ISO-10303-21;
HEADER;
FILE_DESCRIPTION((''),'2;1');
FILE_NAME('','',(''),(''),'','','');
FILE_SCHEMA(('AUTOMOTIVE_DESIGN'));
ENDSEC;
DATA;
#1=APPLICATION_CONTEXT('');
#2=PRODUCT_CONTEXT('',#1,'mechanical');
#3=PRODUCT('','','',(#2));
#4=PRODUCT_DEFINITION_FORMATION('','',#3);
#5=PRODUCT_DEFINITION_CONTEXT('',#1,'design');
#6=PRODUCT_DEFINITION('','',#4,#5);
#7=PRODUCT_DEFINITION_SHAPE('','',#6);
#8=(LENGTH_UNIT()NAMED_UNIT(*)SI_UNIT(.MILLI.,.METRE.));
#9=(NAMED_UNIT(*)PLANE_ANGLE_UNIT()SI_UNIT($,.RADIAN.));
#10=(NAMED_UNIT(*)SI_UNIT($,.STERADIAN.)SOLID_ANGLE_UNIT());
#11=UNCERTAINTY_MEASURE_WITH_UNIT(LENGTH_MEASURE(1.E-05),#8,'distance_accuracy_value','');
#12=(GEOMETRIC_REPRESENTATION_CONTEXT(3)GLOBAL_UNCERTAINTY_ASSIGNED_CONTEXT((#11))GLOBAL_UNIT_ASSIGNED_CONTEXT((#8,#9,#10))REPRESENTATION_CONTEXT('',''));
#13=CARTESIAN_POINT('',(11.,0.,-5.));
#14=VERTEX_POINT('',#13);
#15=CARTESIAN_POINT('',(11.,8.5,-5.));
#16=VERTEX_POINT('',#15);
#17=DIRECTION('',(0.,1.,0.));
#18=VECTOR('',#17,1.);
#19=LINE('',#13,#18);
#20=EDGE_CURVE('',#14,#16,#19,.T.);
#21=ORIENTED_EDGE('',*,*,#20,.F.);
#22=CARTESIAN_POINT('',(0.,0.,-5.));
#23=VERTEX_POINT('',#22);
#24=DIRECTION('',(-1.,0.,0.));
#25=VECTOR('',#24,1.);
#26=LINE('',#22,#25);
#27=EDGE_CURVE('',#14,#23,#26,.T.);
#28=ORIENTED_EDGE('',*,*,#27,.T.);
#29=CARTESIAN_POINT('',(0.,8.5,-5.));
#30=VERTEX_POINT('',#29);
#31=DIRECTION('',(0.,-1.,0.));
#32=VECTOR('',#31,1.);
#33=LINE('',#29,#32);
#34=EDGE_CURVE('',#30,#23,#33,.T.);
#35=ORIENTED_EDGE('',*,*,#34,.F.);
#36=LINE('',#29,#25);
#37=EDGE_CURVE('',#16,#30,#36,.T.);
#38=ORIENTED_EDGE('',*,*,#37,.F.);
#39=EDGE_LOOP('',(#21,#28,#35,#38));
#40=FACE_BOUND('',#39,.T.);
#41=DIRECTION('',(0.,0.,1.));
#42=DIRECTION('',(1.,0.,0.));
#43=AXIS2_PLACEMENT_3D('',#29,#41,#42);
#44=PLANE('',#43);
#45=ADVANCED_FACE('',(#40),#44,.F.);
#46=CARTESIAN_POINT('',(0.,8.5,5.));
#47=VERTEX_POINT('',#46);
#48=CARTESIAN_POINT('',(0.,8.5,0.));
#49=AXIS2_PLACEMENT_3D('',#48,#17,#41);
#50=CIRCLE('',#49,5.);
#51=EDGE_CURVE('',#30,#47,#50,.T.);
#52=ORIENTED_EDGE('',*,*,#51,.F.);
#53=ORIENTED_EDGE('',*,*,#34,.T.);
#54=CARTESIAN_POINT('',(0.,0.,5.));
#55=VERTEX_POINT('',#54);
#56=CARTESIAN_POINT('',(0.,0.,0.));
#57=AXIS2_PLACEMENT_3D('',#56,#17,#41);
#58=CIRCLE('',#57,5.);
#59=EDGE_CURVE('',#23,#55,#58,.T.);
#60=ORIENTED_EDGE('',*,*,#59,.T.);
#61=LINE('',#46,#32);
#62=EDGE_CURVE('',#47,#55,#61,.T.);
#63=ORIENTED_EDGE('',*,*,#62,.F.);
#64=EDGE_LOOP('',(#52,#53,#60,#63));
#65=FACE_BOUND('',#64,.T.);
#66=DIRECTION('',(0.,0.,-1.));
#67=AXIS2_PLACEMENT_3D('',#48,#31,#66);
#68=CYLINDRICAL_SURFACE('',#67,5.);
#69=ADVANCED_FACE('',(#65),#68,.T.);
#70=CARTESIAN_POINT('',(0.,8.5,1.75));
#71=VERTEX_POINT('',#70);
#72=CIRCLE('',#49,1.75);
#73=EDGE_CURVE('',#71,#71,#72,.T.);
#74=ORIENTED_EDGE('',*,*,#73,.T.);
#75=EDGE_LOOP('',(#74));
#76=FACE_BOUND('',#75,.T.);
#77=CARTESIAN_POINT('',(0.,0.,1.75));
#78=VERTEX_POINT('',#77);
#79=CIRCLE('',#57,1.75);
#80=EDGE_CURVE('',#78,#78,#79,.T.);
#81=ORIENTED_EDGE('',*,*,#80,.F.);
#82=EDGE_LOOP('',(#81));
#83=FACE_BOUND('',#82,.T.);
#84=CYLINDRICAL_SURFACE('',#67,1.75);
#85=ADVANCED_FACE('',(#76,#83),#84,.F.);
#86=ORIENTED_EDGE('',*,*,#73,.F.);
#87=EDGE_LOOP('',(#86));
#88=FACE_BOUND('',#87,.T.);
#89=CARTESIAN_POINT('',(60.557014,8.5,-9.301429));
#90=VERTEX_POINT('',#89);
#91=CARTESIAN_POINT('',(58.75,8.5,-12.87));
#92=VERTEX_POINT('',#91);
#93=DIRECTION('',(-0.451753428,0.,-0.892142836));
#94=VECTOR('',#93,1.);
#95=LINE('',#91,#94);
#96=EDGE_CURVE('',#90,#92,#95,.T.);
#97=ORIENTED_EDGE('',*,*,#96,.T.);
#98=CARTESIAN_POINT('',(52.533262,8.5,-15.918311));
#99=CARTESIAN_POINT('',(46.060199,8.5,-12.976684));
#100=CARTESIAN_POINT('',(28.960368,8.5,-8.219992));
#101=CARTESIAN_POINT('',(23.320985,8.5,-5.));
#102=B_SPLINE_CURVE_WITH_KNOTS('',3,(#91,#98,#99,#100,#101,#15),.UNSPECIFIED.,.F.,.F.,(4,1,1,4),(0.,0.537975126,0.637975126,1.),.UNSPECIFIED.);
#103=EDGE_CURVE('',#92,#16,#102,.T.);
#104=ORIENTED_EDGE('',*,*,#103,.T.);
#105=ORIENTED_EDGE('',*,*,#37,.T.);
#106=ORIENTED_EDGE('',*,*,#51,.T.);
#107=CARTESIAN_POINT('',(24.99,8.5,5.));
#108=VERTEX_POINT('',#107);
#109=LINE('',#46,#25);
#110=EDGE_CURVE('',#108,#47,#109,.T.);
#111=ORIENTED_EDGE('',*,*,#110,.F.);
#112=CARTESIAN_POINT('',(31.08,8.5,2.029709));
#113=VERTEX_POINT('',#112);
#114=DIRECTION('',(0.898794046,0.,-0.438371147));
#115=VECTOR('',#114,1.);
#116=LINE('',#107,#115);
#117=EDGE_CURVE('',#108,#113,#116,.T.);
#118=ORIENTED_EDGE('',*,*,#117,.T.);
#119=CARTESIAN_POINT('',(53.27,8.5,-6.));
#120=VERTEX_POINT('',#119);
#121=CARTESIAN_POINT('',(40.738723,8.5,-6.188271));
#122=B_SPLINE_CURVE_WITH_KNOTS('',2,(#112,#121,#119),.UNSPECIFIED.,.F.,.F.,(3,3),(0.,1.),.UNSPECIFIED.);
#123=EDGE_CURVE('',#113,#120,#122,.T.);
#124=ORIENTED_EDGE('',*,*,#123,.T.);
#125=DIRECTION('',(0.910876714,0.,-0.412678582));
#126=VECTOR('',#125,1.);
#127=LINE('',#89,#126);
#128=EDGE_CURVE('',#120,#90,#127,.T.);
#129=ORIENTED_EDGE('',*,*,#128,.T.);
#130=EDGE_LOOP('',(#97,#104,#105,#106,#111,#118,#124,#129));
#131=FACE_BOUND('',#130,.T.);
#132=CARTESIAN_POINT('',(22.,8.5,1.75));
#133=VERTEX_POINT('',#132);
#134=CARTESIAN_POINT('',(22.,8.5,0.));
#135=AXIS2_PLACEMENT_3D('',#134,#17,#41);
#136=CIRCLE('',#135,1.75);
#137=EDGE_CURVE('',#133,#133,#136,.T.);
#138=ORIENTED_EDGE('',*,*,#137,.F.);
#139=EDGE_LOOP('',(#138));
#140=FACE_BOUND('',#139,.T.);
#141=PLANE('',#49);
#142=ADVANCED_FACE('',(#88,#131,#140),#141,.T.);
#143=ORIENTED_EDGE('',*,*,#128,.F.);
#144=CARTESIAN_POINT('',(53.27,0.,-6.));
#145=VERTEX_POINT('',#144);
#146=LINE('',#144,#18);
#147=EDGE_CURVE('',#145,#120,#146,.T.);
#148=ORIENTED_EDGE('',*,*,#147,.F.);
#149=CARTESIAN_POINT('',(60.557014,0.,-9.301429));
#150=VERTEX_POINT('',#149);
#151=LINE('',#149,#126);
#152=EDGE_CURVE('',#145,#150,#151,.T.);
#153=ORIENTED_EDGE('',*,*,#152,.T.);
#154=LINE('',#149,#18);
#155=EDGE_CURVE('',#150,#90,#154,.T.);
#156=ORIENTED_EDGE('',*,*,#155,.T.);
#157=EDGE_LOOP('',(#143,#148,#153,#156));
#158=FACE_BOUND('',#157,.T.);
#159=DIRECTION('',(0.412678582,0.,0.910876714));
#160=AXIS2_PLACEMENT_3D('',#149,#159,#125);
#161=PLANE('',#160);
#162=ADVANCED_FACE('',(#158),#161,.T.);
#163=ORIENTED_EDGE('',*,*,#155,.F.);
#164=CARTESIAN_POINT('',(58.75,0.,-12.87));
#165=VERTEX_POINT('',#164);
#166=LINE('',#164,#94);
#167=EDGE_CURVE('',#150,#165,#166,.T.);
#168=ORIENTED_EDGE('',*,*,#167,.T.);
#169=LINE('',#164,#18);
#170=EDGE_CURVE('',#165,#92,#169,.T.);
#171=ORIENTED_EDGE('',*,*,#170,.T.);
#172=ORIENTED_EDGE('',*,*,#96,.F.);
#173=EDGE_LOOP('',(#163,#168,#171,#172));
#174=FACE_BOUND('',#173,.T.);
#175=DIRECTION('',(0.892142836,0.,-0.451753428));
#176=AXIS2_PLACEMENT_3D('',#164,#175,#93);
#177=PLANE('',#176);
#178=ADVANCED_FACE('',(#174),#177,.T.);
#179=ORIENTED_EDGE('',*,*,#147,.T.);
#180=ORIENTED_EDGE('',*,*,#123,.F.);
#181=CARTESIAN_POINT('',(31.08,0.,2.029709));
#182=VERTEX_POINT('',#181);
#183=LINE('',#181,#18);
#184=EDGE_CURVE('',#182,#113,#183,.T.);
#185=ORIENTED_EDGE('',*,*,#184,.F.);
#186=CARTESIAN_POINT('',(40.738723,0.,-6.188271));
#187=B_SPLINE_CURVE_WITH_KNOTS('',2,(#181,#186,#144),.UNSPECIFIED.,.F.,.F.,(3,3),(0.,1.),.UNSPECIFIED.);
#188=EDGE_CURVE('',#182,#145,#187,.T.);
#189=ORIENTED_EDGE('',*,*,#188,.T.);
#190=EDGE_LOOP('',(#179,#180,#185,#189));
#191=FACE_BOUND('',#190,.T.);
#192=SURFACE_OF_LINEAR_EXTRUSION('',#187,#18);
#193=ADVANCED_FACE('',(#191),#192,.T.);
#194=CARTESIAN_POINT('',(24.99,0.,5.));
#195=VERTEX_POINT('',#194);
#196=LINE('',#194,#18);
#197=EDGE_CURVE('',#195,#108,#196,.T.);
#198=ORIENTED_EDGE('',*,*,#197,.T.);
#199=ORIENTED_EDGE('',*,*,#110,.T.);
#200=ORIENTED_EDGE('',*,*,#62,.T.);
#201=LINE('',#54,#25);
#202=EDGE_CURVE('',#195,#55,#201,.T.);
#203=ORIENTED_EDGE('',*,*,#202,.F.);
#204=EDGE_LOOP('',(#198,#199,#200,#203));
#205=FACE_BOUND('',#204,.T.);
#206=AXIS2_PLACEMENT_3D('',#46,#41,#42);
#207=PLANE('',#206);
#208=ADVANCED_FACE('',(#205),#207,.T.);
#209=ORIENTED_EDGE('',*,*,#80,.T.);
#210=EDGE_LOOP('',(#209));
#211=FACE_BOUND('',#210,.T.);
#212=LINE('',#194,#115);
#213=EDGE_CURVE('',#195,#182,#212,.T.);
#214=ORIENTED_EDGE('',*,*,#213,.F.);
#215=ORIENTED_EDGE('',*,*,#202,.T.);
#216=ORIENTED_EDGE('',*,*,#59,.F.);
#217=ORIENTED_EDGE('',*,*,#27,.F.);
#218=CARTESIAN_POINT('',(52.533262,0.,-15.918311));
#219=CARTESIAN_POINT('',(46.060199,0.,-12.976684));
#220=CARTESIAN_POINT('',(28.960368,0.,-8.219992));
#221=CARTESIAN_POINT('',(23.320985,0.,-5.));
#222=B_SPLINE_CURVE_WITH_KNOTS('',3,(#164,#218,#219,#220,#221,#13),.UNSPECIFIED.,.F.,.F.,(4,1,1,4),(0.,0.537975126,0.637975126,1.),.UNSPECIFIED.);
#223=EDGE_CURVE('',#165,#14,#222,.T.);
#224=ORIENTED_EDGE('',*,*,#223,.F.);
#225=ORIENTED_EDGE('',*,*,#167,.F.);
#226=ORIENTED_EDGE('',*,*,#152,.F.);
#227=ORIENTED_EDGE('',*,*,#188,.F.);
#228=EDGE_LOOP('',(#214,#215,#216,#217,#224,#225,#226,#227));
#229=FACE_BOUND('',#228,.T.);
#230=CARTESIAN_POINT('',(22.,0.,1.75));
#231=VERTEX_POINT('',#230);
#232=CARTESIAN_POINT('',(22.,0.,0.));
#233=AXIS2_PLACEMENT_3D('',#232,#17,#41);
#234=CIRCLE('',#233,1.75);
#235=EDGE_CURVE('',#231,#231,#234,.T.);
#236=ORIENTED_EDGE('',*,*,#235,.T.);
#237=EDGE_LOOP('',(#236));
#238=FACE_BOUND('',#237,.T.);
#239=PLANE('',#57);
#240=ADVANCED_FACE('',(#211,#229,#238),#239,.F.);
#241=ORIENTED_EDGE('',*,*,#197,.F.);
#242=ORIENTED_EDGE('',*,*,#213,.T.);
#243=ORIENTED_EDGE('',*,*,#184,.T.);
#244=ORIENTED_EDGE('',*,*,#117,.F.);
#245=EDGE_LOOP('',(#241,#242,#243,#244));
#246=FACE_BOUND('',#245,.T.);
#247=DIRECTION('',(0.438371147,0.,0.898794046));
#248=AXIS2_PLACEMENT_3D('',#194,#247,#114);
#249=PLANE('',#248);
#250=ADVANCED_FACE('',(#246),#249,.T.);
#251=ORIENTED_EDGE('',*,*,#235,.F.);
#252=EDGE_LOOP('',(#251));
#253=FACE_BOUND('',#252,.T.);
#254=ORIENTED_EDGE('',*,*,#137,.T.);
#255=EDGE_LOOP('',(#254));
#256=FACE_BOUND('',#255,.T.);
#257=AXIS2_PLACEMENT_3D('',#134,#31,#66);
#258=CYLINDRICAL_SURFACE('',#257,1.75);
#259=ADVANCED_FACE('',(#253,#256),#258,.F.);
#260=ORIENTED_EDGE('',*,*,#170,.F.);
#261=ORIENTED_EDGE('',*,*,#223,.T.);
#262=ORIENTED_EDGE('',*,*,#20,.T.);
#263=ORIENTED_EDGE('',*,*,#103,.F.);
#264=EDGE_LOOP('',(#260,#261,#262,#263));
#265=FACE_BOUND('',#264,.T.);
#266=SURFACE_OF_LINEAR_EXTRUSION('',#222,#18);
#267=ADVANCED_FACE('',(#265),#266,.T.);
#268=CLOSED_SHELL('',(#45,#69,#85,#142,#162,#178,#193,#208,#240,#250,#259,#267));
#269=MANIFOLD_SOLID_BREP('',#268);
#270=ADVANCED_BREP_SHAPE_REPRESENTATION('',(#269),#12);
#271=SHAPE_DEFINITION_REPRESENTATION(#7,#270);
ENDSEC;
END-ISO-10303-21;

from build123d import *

# Parameters (mm, degrees)
SKETCH2_R           = 5
SKETCH2_R_2         = 1.75
BOSS_EXTRUDE1_DEPTH = 8.5
BOSS_EXTRUDE2_DEPTH = 8.5


with BuildPart() as part:
    # Sketch2 → Boss-Extrude1 (new body)
    with BuildSketch(Plane(origin=(0, 0, 0), x_dir=(1, 0, 0), z_dir=(0, 1, 0))):
        with BuildLine():
            ThreePointArc((22, -5), (17, 0), (22, 5))
            Line((22, 5), (2e-09, 5))
            ThreePointArc((2e-09, 5), (3.535533907, 3.535533905), (5, 0))
            ThreePointArc((5, 0), (3.535533908, -3.535533904), (7e-09, -5))
            Line((7e-09, -5), (22, -5))
        make_face()
        Circle(SKETCH2_R)
        Circle(SKETCH2_R_2, mode=Mode.SUBTRACT)
        with Locations((22, 0)):
            Circle(SKETCH2_R)
        with Locations((22, 0)):
            Circle(SKETCH2_R_2, mode=Mode.SUBTRACT)
    extrude(amount=BOSS_EXTRUDE1_DEPTH)

    # Sketch3 → Boss-Extrude2 (add)
    with BuildSketch(Plane(origin=(0, 8.5, 0), x_dir=(1, 0, 0), z_dir=(0, 1, 0))):
        with BuildLine():
            Line((22, -5), (24.99, -5))
            Line((24.99, -5), (31.08, -2.029708536))
            add(Edge.make_bspline(
                [(31.08, -2.029708536), (40.738723452, 6.188270814), (53.27, 6)],
                knots=[0, 0, 0, 1, 1, 1], degree=2))
            Line((53.27, 6), (60.557013712, 9.301428655))
            Line((60.557013712, 9.301428655), (58.75, 12.87))
            add(Edge.make_bspline(
                [(11, 5), (23.320985194, 5), (28.960367737, 8.21999158), (46.060199439, 12.976683932), (52.533262276, 15.918311154), (58.75, 12.87)],
                knots=[0, 0, 0, 0, 0.362024874, 0.462024874, 1, 1, 1, 1], degree=3))
            Line((11, 5), (22, 5))
            ThreePointArc((22, 5), (27, 0), (22, -5))
        make_face()
    extrude(amount=-BOSS_EXTRUDE2_DEPTH)


solid = part.part
